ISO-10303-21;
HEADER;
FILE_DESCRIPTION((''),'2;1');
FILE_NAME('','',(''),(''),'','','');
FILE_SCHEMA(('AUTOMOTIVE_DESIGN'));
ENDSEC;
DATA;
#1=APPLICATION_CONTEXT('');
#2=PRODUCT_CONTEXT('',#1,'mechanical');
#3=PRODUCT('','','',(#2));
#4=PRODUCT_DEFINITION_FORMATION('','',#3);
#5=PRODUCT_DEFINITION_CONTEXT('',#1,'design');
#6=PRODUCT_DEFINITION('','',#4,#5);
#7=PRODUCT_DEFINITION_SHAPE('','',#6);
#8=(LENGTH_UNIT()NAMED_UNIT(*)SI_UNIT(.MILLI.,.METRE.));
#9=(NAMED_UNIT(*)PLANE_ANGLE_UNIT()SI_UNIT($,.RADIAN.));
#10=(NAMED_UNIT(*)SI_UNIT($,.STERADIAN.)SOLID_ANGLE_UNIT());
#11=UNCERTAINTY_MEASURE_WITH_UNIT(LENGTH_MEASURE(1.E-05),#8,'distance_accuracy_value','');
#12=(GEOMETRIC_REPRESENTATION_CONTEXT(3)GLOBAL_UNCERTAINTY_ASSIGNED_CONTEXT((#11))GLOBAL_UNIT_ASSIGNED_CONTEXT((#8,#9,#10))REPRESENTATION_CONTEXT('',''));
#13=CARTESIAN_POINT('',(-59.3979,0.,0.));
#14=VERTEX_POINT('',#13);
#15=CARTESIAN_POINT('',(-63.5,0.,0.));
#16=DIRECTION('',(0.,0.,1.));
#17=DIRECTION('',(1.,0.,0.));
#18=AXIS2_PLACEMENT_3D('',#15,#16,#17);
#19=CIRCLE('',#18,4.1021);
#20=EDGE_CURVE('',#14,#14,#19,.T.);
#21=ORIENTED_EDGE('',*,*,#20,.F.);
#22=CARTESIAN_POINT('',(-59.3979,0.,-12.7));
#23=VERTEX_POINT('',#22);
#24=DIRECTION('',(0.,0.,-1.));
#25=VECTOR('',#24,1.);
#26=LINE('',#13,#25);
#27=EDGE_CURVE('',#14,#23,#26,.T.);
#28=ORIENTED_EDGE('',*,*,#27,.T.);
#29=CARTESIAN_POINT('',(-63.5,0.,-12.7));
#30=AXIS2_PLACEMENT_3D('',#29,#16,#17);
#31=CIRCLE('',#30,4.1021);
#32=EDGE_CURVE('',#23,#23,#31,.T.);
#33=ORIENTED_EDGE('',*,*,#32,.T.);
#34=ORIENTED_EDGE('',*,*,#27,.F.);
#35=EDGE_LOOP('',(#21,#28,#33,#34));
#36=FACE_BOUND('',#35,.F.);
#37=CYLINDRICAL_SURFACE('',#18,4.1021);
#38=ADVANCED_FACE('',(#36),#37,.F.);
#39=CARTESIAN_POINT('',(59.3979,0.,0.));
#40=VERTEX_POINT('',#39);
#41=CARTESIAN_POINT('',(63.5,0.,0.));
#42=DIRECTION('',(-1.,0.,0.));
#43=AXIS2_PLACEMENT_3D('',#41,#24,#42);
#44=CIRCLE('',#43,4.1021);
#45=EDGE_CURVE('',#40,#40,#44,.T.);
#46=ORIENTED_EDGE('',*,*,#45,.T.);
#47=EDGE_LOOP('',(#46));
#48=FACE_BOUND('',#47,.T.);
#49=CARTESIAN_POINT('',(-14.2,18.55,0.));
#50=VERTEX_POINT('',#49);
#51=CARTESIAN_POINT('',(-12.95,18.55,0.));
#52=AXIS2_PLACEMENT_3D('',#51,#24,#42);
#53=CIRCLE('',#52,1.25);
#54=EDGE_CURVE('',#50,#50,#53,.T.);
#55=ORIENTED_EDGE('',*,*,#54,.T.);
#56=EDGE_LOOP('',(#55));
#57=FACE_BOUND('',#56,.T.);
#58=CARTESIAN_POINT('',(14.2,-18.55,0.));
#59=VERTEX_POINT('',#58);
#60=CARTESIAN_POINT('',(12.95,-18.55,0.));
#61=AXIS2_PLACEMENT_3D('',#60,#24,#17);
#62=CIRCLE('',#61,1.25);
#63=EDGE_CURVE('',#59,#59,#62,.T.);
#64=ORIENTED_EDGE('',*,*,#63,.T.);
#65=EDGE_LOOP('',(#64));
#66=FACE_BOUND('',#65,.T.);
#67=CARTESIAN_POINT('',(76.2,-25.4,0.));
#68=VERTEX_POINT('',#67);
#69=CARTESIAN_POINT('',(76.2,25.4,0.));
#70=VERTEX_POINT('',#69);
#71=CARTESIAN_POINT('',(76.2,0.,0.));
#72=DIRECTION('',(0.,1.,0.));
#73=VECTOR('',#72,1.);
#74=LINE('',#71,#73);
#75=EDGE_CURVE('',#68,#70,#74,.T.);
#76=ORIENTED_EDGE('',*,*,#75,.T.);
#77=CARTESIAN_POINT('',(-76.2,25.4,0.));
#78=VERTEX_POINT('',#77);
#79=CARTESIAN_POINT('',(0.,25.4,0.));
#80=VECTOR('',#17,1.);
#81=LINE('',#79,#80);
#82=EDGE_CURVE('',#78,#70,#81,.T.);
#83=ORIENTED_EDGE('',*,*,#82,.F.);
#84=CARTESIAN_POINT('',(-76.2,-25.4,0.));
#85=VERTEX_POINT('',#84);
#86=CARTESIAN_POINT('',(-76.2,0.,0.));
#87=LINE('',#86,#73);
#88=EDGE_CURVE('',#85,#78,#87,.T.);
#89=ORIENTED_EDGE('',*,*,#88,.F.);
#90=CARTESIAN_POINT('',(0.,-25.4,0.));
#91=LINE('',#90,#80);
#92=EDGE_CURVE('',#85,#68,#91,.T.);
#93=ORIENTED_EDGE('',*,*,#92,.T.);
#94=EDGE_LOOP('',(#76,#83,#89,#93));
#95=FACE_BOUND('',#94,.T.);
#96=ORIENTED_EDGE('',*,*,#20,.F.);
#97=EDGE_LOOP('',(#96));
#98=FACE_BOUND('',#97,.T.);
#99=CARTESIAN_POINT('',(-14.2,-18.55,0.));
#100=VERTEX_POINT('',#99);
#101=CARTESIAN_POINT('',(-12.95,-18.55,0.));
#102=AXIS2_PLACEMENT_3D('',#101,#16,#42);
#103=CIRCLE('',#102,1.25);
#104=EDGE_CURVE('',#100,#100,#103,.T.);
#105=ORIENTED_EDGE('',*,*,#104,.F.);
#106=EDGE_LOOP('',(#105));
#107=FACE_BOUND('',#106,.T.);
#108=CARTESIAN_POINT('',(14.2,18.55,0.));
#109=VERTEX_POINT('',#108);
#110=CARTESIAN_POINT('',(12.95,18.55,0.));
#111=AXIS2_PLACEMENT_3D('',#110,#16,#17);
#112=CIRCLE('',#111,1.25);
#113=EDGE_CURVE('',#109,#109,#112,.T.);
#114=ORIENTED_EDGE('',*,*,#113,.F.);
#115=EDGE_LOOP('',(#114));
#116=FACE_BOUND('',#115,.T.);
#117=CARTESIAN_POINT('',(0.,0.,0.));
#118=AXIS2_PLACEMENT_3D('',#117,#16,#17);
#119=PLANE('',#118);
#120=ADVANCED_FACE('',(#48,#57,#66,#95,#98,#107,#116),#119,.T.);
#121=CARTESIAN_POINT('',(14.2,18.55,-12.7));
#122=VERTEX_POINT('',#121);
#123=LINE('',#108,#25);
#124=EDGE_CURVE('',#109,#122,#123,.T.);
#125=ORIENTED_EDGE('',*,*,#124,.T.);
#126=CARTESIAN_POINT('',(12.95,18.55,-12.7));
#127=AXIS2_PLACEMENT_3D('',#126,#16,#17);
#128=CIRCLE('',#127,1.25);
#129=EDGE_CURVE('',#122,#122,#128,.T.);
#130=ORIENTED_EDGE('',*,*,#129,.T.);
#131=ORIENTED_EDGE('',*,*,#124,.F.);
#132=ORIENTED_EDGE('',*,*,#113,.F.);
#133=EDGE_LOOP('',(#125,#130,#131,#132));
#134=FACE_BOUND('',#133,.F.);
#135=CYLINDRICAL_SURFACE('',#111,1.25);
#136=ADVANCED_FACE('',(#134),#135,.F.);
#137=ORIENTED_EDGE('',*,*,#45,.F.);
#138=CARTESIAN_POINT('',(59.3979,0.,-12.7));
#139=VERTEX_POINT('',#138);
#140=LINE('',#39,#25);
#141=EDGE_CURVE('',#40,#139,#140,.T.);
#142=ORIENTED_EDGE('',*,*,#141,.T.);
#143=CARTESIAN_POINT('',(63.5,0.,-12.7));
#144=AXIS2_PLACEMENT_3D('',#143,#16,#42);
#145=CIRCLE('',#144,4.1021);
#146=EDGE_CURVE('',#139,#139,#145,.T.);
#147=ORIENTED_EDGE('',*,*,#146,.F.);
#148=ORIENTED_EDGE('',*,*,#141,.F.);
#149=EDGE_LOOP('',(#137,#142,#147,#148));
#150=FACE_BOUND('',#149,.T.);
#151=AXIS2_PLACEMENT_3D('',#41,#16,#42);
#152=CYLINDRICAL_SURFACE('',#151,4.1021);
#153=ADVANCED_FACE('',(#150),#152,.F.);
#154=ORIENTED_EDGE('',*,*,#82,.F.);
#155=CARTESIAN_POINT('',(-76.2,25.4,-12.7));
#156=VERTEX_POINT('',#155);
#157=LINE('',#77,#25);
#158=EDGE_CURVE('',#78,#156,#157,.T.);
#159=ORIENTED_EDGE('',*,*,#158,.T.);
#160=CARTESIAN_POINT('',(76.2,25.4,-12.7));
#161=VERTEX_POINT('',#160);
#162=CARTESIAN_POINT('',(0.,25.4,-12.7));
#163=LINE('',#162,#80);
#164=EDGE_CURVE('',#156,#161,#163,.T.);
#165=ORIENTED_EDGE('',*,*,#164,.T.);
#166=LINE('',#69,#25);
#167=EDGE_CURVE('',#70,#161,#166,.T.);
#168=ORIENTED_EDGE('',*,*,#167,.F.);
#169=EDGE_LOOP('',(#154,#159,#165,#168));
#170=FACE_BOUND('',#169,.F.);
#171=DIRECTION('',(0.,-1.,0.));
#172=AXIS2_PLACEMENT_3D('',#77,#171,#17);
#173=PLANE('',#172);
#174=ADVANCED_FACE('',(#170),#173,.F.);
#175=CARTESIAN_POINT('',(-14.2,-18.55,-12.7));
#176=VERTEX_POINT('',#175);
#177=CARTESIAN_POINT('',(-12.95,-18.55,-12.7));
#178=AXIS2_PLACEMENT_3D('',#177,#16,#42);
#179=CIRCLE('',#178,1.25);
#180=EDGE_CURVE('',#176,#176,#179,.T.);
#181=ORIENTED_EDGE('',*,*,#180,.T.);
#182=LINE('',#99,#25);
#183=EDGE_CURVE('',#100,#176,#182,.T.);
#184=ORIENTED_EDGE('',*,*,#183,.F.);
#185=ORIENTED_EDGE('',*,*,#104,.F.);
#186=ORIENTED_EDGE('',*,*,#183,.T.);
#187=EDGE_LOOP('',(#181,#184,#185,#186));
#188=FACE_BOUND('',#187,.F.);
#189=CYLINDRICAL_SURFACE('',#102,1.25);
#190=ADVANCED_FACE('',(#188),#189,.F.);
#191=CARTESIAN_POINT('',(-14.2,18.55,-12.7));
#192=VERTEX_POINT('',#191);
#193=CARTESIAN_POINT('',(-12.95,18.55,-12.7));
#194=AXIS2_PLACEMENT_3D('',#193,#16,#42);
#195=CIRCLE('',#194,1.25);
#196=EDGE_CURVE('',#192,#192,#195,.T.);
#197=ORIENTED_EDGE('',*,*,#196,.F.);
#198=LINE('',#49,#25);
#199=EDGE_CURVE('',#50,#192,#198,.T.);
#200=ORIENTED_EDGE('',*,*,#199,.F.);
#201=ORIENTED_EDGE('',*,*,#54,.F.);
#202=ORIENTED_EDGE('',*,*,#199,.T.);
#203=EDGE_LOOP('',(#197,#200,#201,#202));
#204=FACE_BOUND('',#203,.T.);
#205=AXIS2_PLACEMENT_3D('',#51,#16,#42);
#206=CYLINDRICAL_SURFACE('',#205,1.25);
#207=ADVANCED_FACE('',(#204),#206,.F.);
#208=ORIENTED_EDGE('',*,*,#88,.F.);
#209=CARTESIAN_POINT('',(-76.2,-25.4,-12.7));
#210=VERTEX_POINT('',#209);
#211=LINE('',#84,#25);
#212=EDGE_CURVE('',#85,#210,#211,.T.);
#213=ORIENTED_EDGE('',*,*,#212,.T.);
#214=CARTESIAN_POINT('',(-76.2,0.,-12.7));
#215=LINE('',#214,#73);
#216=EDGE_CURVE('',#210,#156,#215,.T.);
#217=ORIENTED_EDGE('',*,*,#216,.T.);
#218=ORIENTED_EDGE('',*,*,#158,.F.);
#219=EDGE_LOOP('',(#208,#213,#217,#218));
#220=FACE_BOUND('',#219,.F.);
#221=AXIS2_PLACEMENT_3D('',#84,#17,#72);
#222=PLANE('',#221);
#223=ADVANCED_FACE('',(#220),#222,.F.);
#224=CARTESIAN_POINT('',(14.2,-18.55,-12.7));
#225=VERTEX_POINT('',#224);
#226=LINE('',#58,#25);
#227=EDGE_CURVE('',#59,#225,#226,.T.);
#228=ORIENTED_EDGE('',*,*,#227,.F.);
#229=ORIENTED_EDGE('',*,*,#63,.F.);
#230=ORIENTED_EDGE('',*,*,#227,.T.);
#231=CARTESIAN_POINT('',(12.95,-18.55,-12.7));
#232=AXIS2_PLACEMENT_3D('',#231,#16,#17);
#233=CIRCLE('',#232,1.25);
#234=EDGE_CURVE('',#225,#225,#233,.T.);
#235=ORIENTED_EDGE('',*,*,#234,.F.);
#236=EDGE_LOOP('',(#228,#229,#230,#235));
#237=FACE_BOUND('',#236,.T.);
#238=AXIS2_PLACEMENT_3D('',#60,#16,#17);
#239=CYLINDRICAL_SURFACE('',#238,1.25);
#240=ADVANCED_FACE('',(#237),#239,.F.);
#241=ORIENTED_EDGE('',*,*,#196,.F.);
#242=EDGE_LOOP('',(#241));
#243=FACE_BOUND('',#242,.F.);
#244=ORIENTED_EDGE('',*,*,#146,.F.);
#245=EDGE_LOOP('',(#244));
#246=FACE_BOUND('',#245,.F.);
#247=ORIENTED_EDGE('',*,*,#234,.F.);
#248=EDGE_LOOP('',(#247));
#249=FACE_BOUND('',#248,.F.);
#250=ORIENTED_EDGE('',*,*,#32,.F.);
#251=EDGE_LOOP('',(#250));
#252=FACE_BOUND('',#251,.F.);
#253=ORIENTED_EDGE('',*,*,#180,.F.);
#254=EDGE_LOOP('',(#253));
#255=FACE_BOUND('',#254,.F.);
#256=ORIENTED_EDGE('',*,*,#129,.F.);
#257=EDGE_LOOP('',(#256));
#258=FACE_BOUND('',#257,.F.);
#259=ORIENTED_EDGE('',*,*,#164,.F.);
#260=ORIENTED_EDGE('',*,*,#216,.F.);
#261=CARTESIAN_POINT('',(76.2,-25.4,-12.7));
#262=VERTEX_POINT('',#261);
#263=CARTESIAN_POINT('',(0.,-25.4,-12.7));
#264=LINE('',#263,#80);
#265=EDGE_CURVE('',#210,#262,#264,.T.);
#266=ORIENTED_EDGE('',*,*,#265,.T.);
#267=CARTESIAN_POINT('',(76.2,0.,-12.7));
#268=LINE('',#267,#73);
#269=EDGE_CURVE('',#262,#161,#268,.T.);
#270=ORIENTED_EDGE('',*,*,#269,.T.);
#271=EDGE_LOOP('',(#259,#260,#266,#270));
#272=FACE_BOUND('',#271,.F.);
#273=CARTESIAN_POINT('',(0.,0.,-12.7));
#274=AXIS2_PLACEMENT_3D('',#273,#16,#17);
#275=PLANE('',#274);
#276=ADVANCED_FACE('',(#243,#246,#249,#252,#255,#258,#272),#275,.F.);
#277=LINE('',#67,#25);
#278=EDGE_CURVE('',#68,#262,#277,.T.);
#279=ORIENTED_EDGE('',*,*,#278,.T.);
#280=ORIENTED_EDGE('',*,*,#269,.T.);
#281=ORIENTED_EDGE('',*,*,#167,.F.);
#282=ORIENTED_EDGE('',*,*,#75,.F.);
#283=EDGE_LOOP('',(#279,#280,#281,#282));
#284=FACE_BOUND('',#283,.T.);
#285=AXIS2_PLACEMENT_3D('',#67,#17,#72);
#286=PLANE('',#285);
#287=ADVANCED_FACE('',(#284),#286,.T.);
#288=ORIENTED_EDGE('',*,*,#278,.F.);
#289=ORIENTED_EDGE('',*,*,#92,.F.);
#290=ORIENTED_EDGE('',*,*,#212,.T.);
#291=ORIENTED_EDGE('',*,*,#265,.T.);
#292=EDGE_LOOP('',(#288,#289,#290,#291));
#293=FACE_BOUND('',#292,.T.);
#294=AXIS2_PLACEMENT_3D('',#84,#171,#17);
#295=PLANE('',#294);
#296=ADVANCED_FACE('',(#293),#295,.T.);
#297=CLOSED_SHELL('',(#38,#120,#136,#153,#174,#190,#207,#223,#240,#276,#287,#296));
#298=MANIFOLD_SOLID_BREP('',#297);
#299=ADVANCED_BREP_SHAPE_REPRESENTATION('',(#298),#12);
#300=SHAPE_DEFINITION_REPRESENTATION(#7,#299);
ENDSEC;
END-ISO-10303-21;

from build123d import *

# Parameters (mm, degrees)
SKETCH_W                  = 152.4
SKETCH_H                  = 50.8
PAD_DEPTH                 = 12.7
SKETCH001_R               = 4.1021
POCKET_DEPTH              = 334.99087
SKETCH002_R               = 1.25
HOLE_DEPTH                = 334.99087
SKETCH002_MIRRORED001_2_R = 1.25
HOLE_MIRRORED001_2_DEPTH  = 334.99087


with BuildPart() as part:
    # Sketch → Pad (new body)
    with BuildSketch(Plane.XY):
        Rectangle(SKETCH_W, SKETCH_H)
    extrude(amount=-PAD_DEPTH)

    # Sketch001 (on Face5 of Pad) → Pocket (cut, through all)
    with BuildSketch(Plane.XY):
        with Locations((-63.5, 0)):
            Circle(SKETCH001_R)
    pocket = extrude(amount=-POCKET_DEPTH, mode=Mode.SUBTRACT)

    # Mirrored: Pocket across YZ
    add(pocket.mirror(Plane.YZ), mode=Mode.SUBTRACT)

    # Sketch002 (on Face4 of Mirrored) → Hole (cut, through all)
    with BuildSketch(Plane.XY):
        with Locations((12.95, 18.55)):
            Circle(SKETCH002_R)
    hole = extrude(amount=-HOLE_DEPTH, mode=Mode.SUBTRACT)

    # Sketch002 Mirrored001 2 → Hole Mirrored001 2 (cut, through all)
    with BuildSketch(Plane(origin=(0, 0, 0), x_dir=(-1, 0, 0), z_dir=(0, 0, -1))):
        with Locations((12.95, 18.55)):
            Circle(SKETCH002_MIRRORED001_2_R)
    hole_mirrored001_2 = extrude(amount=HOLE_MIRRORED001_2_DEPTH, mode=Mode.SUBTRACT)

    # Mirrored002: Hole, Hole Mirrored001 2 across XZ
    add(hole.mirror(Plane.XZ), mode=Mode.SUBTRACT)
    add(hole_mirrored001_2.mirror(Plane.XZ), mode=Mode.SUBTRACT)


solid = part.part
